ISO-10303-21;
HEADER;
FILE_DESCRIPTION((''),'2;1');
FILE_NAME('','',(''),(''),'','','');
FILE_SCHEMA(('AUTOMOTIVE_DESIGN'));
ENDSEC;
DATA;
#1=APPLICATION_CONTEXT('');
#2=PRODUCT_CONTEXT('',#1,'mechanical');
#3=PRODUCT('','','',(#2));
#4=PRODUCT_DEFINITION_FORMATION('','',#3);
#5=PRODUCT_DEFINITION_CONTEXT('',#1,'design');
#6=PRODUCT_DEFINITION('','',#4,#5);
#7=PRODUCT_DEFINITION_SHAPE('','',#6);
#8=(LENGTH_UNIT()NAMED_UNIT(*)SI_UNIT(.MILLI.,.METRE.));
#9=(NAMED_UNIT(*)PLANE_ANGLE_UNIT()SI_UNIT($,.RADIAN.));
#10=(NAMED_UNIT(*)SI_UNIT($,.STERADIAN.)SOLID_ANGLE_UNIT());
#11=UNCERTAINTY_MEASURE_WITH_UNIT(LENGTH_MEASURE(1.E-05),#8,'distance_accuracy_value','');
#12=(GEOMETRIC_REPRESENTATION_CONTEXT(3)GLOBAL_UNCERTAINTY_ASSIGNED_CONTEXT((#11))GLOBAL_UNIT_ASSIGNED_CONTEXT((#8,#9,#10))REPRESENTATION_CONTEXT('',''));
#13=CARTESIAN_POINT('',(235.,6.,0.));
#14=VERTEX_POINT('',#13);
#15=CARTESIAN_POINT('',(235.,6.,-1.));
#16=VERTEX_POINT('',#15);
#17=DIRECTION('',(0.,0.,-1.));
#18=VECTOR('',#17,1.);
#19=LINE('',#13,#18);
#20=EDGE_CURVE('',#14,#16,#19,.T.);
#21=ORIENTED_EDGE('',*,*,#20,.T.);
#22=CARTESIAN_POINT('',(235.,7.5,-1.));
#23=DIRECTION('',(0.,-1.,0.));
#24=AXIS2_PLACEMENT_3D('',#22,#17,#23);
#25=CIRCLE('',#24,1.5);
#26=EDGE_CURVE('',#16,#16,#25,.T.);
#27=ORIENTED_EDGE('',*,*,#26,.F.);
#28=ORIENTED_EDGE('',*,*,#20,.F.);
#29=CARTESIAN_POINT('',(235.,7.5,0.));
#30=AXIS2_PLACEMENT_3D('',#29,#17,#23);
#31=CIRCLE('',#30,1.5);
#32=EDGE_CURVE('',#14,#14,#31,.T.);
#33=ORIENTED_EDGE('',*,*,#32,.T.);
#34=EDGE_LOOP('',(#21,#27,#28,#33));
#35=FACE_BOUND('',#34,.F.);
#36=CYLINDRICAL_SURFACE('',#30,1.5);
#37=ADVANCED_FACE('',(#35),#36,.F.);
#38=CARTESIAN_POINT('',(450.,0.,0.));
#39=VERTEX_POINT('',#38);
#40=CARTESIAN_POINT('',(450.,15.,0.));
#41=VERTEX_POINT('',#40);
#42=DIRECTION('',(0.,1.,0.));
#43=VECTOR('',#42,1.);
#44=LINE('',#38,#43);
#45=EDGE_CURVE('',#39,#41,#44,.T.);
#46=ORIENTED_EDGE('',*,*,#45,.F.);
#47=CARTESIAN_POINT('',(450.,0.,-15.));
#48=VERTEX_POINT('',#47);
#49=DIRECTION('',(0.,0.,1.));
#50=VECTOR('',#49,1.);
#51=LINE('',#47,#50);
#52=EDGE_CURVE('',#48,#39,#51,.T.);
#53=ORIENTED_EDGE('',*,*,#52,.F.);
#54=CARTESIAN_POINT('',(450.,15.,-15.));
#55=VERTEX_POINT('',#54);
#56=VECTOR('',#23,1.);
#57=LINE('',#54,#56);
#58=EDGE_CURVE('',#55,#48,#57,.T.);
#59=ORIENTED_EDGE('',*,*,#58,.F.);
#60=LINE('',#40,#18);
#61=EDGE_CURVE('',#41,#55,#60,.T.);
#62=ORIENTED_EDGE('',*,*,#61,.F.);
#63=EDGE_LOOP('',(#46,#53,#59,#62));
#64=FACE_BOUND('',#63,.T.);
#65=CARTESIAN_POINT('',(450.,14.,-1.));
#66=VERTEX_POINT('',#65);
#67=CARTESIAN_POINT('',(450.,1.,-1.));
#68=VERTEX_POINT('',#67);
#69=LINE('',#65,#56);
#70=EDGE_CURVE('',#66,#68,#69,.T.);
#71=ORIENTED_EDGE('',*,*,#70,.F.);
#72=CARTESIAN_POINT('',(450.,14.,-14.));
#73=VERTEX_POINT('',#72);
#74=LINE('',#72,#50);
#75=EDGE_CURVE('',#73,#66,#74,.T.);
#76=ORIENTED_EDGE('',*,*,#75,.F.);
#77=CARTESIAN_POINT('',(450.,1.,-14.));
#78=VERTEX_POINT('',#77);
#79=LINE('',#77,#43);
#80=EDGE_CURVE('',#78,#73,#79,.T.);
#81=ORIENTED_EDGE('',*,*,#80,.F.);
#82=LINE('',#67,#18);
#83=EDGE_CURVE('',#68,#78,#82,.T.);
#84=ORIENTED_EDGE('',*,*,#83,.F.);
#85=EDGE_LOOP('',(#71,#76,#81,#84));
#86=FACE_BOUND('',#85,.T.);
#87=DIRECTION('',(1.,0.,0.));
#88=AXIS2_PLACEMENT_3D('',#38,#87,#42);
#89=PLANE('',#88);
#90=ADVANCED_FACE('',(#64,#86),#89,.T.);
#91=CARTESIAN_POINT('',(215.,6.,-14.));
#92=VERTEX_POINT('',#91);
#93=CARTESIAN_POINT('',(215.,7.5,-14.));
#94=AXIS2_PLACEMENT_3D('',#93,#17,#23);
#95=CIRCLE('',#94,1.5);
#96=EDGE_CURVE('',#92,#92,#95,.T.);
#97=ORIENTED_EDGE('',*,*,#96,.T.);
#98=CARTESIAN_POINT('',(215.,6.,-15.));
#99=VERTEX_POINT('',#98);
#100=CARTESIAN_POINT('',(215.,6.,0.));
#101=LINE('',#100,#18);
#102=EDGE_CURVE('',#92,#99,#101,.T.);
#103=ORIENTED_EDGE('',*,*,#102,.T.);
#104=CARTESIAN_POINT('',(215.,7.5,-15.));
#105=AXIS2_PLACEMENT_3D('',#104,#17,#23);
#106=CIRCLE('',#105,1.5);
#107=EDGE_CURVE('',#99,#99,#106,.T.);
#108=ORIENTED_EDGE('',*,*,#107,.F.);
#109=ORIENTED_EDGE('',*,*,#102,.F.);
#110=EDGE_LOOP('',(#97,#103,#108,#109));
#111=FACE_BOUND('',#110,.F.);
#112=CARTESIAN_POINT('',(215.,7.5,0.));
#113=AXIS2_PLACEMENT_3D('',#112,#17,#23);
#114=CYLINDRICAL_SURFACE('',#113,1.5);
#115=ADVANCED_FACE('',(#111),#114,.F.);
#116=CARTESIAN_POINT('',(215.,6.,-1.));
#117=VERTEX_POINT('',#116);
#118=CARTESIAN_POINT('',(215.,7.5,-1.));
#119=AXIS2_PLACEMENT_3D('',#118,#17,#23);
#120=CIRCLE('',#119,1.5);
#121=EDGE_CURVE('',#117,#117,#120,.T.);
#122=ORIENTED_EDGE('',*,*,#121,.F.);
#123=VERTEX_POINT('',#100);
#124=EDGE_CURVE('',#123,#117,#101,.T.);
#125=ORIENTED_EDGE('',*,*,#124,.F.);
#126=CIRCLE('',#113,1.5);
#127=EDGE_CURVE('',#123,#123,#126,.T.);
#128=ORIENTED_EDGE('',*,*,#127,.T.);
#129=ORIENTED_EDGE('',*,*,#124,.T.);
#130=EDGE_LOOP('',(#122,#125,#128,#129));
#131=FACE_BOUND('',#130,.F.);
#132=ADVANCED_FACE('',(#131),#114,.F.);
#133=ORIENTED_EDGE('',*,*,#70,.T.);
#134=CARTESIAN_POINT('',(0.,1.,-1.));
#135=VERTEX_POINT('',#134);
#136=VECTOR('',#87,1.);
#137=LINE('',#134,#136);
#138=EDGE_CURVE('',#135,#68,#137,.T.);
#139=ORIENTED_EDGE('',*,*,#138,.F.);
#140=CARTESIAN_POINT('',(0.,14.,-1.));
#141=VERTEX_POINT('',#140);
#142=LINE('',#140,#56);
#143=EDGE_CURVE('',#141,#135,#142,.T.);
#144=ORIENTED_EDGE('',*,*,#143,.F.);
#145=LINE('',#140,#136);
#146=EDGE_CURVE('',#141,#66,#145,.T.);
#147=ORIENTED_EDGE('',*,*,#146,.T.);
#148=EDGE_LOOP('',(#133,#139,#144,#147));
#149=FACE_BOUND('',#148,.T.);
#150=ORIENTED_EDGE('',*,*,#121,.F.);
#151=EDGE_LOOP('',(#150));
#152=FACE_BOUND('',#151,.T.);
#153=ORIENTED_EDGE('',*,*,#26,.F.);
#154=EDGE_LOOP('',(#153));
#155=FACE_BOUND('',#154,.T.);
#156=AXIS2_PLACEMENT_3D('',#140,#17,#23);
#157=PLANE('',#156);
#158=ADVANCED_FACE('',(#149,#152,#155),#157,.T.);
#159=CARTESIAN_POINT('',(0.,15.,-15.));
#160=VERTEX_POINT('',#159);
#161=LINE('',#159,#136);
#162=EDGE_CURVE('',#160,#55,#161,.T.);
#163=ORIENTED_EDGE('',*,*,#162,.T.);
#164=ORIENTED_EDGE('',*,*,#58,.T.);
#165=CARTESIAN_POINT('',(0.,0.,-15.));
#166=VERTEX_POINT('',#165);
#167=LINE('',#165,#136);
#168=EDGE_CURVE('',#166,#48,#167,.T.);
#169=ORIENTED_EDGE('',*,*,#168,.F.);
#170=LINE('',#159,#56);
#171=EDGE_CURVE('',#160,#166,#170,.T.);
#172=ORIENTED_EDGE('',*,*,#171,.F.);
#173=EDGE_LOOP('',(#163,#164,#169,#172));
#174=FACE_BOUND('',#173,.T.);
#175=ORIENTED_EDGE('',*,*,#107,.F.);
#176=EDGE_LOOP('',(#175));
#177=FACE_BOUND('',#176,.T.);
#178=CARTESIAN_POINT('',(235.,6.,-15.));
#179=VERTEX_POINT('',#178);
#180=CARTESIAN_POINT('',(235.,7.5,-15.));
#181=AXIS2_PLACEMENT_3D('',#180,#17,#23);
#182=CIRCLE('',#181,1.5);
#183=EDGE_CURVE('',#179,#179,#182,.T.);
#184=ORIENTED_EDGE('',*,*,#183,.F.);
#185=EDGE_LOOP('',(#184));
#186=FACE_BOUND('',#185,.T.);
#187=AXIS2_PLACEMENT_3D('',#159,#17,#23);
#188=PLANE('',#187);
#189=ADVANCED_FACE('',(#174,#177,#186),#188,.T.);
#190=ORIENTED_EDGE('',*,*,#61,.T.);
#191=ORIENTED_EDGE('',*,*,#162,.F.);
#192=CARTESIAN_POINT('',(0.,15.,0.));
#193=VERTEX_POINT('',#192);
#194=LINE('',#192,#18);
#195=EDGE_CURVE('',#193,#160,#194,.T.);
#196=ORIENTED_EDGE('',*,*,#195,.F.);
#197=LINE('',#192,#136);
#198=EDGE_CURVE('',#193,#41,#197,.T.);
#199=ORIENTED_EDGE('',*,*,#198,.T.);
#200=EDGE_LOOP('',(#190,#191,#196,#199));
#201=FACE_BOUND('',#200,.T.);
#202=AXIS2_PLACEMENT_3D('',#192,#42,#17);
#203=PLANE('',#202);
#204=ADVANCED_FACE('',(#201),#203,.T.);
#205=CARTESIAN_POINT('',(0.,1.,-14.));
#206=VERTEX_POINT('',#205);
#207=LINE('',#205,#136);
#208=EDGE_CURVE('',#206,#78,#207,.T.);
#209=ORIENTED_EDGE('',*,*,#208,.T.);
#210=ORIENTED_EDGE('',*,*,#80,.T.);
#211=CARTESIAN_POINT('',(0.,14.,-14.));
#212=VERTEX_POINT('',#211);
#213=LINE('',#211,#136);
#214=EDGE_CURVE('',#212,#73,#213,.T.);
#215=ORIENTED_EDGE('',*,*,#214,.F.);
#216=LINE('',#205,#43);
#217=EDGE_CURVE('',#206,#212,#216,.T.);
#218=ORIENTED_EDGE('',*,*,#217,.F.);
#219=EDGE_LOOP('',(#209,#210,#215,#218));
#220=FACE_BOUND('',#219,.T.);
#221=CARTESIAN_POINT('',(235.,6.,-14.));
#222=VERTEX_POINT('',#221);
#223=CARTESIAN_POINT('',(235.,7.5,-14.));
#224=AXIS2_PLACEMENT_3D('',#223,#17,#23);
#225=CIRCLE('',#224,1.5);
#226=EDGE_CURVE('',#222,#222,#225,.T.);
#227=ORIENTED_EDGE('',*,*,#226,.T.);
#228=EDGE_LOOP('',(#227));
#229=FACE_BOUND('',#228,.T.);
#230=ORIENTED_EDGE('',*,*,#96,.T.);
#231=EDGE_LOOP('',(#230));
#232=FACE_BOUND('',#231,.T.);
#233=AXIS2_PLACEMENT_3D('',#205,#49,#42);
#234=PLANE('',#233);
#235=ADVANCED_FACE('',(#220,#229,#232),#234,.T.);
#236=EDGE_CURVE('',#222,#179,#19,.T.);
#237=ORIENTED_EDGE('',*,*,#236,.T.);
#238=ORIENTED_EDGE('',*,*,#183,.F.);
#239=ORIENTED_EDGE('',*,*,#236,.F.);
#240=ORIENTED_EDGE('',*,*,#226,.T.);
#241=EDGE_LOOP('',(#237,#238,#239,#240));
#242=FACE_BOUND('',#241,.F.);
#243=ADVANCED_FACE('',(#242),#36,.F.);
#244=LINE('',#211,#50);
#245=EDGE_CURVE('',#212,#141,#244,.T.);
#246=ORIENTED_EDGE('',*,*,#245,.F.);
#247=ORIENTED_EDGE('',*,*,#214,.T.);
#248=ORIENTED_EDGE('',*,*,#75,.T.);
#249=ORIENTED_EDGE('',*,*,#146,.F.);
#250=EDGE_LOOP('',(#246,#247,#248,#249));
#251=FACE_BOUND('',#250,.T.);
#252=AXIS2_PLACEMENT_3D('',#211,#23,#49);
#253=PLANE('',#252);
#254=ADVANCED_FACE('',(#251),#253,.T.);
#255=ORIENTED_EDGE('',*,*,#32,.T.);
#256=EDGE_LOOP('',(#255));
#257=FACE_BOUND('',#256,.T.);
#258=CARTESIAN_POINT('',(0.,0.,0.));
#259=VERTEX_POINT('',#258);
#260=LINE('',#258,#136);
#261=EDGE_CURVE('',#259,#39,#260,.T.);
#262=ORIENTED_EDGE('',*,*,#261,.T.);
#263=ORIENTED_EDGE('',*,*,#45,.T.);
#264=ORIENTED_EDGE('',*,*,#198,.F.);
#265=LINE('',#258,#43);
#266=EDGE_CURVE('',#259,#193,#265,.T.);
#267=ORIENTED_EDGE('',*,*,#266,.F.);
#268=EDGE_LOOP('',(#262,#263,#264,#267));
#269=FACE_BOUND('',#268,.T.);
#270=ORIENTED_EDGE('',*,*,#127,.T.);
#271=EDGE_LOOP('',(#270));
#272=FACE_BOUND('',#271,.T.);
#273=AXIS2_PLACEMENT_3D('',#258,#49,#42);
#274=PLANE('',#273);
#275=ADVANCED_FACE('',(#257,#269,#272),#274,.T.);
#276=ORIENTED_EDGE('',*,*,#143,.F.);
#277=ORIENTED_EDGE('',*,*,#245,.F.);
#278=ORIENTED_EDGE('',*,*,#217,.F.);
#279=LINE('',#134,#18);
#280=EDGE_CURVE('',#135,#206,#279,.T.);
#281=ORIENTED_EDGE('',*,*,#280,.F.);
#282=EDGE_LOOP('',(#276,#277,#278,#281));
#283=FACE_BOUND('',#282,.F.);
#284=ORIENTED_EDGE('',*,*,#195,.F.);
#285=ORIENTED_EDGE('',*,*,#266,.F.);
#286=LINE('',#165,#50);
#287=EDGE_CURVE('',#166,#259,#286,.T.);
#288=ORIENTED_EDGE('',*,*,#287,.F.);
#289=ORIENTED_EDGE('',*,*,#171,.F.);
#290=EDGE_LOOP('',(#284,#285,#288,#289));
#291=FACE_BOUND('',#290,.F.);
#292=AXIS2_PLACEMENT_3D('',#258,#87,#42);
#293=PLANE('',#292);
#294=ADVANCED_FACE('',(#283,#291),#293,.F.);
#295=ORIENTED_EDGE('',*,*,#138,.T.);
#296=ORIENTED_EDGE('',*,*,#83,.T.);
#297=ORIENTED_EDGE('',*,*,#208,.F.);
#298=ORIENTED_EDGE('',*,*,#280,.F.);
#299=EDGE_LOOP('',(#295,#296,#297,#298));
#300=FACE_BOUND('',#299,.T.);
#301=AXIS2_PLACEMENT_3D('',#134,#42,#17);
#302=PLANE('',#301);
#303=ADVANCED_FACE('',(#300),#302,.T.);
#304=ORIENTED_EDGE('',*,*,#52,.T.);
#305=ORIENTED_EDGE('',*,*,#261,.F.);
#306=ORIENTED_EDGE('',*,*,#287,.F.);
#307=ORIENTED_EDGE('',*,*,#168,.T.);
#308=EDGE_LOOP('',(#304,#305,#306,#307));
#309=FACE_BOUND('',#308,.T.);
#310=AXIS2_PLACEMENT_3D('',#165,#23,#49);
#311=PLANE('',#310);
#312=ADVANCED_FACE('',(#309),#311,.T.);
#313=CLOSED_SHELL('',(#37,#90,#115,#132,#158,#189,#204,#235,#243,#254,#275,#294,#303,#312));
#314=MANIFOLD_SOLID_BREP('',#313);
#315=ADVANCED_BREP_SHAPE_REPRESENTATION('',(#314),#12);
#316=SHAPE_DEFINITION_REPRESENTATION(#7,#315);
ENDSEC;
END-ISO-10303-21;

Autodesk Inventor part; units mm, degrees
ref_plane "YZ Plane" through (0, 0, 0) normal (1, 0, 0) x (0, 1, 0)
ref_plane "XZ Plane" through (0, 0, 0) normal (0, 1, 0) x (-1, 0, 0)
ref_plane "XY Plane" through (0, 0, 0) normal (0, 0, 1) x (1, 0, 0)
sketch "スケッチ1" plane through (0, 0, 0) normal (1, 0, 0) x (0, 1, 0)
  line L0 (0, 0) -> (15, 0)
  line L1 (15, 0) -> (15, -15)
  line L2 (15, -15) -> (0, -15)
  line L3 (0, -15) -> (0, 0)
  line L4 (14, -1) -> (1, -1)
  line L5 (1, -1) -> (1, -14)
  line L6 (1, -14) -> (14, -14)
  line L7 (14, -14) -> (14, -1)
  dimension "d0" = 15
  dimension "d1" = 15
  dimension "d2" = 1
extrude "押し出し1" add sketch "スケッチ1" along normal blind 450
sketch "スケッチ2" plane through (0, 0, 0) normal (0, 0, 1) x (1, 0, 0)
  line L0 (0, 15) -> (450, 15) projected
  line L1 (225, 15) -> (225, 0)
  line L2 (0, 15) -> (0, 0) projected
  point P0 (215, 7.5)
  point P1 (235, 7.5)
  dimension "d5" = 225
  dimension "d6" = 10
  dimension "d7" = 10
  dimension "d8" = 7.5
  dimension "d9" = 7.5
hole "穴1" at (215, 7.5, 0) at (235, 7.5, 0) direction (0, 0, -1) diameter 3 end through all
properties part number "hand-grab-v2-ASP-arm-support" material "アルミニウム 6061"
